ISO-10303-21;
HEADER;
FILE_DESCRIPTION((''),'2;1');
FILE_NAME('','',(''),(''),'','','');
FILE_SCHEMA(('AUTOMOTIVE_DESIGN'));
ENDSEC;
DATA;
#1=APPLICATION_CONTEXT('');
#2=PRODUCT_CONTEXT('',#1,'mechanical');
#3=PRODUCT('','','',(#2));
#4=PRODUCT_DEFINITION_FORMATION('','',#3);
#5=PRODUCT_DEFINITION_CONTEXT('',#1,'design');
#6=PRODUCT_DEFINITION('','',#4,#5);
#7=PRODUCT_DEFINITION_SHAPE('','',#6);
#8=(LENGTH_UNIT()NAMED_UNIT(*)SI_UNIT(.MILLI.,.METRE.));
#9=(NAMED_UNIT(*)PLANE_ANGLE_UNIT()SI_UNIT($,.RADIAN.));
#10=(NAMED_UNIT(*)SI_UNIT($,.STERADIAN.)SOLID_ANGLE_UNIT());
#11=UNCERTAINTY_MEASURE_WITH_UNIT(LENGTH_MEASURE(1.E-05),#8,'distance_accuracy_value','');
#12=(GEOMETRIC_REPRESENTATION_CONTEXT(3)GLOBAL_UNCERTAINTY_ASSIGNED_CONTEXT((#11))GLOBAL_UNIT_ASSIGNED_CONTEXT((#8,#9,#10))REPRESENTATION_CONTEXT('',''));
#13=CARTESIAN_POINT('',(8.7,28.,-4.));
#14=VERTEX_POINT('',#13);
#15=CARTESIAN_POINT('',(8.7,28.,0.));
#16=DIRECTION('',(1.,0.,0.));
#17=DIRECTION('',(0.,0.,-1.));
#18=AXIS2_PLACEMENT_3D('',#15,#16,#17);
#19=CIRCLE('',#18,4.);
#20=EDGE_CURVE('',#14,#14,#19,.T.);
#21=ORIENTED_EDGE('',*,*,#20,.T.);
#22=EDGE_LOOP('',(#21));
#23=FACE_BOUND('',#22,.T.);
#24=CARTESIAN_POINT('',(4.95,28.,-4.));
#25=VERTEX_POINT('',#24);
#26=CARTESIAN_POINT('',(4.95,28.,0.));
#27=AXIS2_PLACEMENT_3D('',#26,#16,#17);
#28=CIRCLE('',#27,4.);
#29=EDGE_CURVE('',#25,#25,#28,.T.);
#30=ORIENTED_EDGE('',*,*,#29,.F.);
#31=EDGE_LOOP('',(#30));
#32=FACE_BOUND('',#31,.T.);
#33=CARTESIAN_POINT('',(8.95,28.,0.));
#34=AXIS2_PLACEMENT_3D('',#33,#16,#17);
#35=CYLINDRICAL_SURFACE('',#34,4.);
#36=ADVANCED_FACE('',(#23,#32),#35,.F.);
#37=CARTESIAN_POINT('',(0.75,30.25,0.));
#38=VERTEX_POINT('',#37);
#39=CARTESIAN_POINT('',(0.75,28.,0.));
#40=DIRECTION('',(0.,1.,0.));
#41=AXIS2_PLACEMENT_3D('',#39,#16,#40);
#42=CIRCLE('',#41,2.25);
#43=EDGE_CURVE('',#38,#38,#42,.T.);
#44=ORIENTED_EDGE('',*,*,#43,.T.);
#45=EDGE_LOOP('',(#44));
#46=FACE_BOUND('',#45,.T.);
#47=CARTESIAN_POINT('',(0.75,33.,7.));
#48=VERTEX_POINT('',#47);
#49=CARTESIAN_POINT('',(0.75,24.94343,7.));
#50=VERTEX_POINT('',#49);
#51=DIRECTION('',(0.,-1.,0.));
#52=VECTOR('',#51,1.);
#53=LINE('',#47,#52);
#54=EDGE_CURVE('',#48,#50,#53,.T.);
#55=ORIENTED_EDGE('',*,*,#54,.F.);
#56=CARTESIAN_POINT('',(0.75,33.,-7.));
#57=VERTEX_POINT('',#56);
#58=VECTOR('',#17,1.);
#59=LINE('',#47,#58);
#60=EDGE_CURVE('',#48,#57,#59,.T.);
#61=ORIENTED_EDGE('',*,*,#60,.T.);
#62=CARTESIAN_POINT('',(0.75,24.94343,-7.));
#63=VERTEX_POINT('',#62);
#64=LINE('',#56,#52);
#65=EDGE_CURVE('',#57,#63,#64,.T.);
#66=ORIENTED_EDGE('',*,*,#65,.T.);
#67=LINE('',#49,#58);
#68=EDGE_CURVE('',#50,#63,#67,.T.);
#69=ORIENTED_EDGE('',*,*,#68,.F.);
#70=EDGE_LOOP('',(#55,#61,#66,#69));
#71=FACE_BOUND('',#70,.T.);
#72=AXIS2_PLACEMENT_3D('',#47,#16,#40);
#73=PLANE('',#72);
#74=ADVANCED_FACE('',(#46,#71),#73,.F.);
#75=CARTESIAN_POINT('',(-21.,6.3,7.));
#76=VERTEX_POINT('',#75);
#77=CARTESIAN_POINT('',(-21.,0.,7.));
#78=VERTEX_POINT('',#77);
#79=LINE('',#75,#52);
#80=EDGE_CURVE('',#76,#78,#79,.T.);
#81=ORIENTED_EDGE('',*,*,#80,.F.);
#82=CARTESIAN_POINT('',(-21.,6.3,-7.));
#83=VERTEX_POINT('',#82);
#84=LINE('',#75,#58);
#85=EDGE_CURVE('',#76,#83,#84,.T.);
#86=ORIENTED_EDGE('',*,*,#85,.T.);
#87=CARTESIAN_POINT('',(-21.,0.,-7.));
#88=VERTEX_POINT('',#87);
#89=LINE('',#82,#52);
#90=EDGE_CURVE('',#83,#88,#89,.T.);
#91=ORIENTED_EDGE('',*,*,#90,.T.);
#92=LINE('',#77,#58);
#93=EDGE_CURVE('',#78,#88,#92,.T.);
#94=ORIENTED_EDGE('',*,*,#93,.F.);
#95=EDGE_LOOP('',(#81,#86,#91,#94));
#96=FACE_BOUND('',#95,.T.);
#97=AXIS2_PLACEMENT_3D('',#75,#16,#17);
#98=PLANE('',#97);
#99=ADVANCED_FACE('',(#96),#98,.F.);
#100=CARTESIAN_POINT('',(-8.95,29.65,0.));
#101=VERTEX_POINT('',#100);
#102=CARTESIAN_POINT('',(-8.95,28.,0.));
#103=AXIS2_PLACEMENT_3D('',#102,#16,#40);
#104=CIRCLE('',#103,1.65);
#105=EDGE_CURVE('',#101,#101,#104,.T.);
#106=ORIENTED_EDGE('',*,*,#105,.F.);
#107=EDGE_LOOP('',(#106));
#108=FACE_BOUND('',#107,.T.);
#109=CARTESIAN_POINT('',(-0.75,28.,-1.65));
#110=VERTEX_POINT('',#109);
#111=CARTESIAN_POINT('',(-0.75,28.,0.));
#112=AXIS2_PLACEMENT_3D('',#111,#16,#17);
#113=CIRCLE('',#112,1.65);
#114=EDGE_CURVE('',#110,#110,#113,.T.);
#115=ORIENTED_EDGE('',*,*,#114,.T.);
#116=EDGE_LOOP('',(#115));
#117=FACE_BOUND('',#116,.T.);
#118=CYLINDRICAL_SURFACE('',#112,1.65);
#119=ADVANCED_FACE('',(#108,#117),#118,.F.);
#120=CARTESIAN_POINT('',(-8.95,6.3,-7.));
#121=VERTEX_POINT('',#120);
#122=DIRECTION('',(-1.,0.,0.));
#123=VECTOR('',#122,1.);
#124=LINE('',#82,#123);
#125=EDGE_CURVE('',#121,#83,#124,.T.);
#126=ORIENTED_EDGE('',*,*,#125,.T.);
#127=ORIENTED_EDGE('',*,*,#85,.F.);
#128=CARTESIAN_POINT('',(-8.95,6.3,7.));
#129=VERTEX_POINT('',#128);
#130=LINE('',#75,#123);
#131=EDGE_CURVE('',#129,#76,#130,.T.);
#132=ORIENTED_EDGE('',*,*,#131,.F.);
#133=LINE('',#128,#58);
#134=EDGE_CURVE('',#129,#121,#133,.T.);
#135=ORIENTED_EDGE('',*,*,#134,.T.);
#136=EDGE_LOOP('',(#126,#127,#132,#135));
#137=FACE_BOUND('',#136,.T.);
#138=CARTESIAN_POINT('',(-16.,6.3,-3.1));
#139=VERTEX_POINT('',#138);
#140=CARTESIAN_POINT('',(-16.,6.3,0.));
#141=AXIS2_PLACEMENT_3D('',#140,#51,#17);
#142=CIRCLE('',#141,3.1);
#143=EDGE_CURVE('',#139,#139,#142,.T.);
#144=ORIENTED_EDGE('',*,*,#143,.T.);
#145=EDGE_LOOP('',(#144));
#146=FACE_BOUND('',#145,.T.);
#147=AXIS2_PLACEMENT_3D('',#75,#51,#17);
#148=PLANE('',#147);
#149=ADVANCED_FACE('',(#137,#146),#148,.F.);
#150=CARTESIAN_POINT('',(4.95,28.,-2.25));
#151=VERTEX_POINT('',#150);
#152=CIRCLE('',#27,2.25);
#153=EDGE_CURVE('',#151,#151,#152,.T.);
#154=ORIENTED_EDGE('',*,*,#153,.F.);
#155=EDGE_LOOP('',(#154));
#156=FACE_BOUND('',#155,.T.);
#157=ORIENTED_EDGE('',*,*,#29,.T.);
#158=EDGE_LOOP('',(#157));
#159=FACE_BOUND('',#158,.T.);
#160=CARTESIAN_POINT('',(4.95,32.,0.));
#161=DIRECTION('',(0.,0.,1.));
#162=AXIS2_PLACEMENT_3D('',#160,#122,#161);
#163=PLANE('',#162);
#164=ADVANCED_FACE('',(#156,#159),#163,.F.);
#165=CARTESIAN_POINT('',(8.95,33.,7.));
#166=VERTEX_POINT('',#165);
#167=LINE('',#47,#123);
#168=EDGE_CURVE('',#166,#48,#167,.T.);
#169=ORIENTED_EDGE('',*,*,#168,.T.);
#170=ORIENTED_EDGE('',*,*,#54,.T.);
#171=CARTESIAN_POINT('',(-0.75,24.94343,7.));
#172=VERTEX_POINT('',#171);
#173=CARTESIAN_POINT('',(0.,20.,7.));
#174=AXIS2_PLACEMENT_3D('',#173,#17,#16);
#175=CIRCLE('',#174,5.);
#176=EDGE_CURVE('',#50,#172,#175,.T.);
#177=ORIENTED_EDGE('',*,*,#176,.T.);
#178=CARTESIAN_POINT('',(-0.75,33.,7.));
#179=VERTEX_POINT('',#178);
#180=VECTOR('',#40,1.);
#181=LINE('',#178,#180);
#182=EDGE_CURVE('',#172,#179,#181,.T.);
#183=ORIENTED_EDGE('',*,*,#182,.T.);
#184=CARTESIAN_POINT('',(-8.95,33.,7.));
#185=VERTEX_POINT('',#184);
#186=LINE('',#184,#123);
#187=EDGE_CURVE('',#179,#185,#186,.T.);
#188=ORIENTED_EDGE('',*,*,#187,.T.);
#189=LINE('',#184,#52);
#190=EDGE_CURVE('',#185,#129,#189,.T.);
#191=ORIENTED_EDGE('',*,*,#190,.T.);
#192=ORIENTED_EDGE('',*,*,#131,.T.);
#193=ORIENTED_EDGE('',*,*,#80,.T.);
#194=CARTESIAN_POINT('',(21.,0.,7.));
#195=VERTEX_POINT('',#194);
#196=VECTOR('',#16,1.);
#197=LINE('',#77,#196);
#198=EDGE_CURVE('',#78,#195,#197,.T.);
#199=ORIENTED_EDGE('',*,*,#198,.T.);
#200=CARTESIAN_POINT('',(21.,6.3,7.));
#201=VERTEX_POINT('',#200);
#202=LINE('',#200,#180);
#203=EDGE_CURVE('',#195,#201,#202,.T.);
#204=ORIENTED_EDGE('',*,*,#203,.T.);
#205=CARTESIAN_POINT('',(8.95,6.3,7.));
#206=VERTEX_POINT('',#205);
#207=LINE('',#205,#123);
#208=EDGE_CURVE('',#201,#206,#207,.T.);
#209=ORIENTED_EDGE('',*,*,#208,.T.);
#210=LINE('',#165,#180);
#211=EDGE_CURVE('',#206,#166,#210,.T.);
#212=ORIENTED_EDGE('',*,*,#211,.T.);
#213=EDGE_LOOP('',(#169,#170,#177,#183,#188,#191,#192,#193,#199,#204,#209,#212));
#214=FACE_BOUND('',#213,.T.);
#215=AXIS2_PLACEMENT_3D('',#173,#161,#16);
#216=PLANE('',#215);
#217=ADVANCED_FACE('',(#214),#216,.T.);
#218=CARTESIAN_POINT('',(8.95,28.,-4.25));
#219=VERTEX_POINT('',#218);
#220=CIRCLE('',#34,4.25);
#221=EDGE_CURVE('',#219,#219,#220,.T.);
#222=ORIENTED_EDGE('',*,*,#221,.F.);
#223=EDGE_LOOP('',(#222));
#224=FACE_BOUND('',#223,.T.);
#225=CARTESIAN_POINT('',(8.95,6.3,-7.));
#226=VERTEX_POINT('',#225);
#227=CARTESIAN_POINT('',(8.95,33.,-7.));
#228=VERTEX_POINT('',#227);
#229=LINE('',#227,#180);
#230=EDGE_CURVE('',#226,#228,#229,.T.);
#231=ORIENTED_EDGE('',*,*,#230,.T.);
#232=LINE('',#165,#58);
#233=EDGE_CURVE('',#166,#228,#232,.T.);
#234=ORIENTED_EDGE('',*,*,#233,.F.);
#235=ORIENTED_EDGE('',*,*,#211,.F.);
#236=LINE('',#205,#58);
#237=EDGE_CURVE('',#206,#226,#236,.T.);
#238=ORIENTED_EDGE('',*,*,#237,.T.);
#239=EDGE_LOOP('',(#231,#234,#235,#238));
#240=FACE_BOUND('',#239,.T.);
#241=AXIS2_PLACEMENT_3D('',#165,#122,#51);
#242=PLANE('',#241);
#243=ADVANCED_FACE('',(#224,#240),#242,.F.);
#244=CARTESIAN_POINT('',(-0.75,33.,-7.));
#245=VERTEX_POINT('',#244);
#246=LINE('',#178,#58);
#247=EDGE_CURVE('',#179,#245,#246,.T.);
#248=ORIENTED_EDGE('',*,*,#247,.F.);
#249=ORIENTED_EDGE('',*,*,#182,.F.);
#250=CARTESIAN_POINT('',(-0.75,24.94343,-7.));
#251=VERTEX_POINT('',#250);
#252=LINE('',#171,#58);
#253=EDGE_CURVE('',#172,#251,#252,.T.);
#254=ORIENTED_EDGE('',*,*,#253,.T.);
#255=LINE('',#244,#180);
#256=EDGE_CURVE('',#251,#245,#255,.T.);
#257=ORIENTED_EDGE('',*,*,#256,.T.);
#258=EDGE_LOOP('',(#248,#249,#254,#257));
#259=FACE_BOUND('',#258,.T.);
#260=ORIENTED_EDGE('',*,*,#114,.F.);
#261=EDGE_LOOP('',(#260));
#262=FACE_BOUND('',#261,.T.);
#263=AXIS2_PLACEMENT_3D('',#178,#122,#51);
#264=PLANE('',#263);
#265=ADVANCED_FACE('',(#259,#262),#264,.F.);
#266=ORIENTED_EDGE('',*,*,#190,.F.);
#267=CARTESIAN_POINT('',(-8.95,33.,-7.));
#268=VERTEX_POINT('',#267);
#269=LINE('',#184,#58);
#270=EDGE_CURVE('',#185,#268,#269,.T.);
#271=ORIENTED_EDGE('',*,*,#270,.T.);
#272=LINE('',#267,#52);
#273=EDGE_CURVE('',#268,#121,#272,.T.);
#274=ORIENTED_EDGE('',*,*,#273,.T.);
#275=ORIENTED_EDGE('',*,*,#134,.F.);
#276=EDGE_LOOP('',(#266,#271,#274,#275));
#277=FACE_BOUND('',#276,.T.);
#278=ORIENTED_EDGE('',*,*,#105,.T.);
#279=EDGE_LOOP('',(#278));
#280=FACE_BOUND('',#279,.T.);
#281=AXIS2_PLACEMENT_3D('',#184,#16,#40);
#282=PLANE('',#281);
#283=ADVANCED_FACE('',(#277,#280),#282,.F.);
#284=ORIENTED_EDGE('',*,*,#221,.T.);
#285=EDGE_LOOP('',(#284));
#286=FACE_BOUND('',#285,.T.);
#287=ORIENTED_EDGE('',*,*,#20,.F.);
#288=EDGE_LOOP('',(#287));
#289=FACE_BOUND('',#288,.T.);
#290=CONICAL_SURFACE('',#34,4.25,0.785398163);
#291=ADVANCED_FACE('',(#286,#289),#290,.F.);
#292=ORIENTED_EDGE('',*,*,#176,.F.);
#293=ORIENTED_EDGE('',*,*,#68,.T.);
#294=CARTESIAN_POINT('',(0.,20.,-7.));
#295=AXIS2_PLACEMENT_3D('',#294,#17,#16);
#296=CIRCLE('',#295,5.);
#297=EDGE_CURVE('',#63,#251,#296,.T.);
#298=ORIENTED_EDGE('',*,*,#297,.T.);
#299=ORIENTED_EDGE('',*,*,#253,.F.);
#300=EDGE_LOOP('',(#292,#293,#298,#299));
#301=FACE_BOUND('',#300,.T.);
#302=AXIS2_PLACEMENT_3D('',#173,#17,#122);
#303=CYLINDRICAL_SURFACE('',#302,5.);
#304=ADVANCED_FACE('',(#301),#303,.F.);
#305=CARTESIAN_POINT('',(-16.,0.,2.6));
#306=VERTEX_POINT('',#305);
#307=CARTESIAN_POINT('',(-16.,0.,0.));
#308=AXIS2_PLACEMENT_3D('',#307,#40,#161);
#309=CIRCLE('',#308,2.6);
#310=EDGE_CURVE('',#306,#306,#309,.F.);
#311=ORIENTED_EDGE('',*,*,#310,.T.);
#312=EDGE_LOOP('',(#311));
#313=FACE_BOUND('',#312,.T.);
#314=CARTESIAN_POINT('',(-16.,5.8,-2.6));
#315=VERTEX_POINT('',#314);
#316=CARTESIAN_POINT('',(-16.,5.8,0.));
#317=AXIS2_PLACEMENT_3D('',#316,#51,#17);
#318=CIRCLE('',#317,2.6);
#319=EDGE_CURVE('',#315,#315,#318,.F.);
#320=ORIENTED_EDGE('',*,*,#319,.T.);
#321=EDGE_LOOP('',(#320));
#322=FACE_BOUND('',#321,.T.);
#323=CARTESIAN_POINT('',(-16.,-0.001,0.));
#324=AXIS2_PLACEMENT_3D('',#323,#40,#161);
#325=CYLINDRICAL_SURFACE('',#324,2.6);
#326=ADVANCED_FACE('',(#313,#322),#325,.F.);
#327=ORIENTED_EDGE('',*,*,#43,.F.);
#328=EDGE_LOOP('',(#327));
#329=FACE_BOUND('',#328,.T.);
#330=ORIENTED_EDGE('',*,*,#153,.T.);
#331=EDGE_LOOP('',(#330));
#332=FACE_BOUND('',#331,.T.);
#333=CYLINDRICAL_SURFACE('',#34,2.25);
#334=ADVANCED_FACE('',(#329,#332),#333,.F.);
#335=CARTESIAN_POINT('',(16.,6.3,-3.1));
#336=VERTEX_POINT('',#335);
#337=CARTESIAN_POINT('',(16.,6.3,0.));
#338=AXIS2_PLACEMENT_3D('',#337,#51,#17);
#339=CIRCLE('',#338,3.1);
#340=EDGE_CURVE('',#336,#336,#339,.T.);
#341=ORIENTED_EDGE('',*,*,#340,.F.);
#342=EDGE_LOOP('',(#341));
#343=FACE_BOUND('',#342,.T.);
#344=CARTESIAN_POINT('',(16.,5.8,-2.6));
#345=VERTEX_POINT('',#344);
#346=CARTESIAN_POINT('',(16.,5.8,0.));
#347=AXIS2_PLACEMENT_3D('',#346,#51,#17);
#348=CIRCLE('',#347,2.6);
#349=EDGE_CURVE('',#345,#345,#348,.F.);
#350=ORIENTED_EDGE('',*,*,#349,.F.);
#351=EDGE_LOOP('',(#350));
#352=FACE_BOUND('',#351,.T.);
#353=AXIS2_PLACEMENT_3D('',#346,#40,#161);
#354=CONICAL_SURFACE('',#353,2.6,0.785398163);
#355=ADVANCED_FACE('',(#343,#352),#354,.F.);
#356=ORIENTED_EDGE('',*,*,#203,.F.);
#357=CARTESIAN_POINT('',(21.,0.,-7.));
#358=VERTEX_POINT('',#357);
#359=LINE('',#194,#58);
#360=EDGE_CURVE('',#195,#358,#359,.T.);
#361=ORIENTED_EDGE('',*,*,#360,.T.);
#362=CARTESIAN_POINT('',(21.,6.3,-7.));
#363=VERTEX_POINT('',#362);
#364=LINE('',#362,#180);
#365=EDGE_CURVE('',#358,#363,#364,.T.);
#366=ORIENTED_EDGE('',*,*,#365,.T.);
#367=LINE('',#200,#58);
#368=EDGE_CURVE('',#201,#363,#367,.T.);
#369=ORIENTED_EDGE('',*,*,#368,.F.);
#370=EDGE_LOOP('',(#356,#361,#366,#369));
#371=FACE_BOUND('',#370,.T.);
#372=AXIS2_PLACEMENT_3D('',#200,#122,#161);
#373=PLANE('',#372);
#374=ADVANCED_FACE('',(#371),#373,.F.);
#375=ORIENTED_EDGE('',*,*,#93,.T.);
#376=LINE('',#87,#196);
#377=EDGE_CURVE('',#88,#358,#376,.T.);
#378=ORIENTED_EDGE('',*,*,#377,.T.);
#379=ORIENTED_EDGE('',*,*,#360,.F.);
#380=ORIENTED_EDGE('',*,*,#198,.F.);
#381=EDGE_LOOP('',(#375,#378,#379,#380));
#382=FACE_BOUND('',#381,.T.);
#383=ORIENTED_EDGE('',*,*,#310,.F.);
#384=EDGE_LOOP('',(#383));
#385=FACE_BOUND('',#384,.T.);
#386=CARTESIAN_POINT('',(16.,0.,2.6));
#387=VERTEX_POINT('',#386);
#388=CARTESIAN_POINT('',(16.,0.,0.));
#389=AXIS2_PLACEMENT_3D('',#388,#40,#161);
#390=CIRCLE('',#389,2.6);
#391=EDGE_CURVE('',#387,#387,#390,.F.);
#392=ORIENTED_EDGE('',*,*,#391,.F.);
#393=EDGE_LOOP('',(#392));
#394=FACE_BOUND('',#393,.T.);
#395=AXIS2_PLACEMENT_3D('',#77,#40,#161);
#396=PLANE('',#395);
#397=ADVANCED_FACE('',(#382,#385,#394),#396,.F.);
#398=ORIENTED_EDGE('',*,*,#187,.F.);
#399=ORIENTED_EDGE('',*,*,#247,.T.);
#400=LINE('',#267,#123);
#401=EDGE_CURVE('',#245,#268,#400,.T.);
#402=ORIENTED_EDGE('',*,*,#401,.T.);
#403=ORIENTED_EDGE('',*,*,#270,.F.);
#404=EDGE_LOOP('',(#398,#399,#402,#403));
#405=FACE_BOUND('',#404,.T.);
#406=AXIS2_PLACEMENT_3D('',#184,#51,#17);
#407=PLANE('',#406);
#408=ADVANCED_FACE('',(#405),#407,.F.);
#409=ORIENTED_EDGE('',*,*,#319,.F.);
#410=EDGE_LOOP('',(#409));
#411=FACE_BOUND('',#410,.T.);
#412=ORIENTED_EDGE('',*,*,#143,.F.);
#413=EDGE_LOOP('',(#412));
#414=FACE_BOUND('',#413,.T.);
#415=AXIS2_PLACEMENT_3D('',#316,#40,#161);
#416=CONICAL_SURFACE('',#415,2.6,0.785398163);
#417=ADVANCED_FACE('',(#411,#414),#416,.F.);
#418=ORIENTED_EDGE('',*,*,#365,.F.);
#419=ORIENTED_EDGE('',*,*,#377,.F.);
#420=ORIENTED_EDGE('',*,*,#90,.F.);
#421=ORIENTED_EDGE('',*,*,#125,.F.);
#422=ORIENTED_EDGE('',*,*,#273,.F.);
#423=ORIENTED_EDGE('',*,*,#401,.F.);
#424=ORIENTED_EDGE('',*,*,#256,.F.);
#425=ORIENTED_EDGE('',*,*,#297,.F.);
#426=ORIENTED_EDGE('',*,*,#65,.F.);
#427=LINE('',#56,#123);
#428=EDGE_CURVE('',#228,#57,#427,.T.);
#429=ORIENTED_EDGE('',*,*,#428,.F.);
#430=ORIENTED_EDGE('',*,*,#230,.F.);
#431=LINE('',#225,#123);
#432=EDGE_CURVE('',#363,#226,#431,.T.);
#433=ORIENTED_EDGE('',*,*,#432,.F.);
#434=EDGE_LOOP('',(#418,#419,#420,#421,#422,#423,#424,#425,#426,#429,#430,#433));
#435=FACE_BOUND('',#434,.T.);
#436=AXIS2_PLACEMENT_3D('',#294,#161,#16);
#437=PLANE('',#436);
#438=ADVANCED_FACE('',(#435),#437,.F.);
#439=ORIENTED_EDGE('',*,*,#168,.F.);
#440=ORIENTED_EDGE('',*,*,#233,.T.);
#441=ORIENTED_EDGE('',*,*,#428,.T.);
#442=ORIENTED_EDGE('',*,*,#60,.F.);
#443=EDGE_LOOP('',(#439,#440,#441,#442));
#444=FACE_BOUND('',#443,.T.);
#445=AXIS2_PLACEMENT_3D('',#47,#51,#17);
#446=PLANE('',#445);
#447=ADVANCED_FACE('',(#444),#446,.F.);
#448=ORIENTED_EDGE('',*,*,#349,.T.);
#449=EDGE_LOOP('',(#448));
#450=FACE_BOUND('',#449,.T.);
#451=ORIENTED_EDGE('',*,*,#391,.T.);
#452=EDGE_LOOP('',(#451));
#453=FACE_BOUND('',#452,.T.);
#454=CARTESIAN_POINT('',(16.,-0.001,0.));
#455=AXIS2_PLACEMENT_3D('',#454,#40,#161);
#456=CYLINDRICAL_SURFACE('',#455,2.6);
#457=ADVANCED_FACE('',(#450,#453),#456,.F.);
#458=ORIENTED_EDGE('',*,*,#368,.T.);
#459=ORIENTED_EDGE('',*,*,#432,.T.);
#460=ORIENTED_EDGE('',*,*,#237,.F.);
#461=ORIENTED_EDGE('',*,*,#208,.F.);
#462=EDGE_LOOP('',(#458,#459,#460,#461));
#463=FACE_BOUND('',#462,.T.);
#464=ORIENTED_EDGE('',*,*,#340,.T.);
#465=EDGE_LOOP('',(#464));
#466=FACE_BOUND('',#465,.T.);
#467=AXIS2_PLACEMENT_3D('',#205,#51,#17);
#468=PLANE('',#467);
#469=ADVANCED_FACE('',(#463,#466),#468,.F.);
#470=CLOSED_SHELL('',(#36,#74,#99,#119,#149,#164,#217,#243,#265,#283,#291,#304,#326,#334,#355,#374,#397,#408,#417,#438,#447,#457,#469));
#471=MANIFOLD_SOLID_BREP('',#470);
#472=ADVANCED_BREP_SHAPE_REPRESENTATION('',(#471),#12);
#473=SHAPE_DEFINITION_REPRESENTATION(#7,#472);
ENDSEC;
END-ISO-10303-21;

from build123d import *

# Parameters (mm, degrees)
BOSS_EXTRUDE1_DEPTH   = 7
CUT_EXTRUDE1_REACH    = 36.683
SKETCH2_R             = 2.6
CHAMFER1_SIZE         = 0.5
M4X0_7_TAPPED_HOLE1_D = 3.3


with BuildPart() as part:
    # Sketch1 → Boss-Extrude1 (new, symmetric)
    with BuildSketch(Plane.XY):
        with BuildLine():
            Line((-21, 6.3), (-8.95, 6.3))
            Line((-8.95, 6.3), (-8.95, 33))
            Line((-8.95, 33), (-0.75, 33))
            Line((-0.75, 33), (-0.75, 24.943429983))
            ThreePointArc((-0.75, 24.943429983), (0, 15), (0.75, 24.943429983))
            Line((0.75, 24.943429983), (0.75, 33))
            Line((0.75, 33), (8.95, 33))
            Line((8.95, 33), (8.95, 6.3))
            Line((8.95, 6.3), (21, 6.3))
            Line((21, 6.3), (21, 0))
            Line((21, 0), (-21, 0))
            Line((-21, 0), (-21, 6.3))
        make_face()
    extrude(amount=BOSS_EXTRUDE1_DEPTH, both=True)

    # Sketch2 → Cut-Extrude1 (cut, up to next)
    with BuildSketch(Plane(origin=(0, 6.3, 0), x_dir=(1, 0, 0), z_dir=(0, 1, 0)), mode=Mode.PRIVATE) as cut_extrude1_sk1:
        with Locations(Location((16, 0, 0), (0, 0, 270))):
            Circle(SKETCH2_R)
    cut_extrude1_tool1 = extrude(cut_extrude1_sk1.sketch, amount=-CUT_EXTRUDE1_REACH, mode=Mode.PRIVATE) & part.part
    # Sketch2 → Cut-Extrude1 (cut, up to next)
    with BuildSketch(Plane(origin=(0, 6.3, 0), x_dir=(1, 0, 0), z_dir=(0, 1, 0)), mode=Mode.PRIVATE) as cut_extrude1_sk2:
        with Locations(Location((-16, 0, 0), (0, 0, 270))):
            Circle(SKETCH2_R)
    cut_extrude1_tool2 = extrude(cut_extrude1_sk2.sketch, amount=-CUT_EXTRUDE1_REACH, mode=Mode.PRIVATE) & part.part
    add(cut_extrude1_tool1.solids().sort_by_distance((16, 6.3, 0))[0], mode=Mode.SUBTRACT)
    add(cut_extrude1_tool2.solids().sort_by_distance((-16, 6.3, 0))[0], mode=Mode.SUBTRACT)

    # Chamfer1
    chamfer1_edges = [part.edges().sort_by_distance(p)[0] for p in [
        (16, 6.3, -2.6),
        (-16, 6.3, -2.6),
    ]]
    chamfer(chamfer1_edges, length=CHAMFER1_SIZE)

    # Sketch4 → CBORE for M4 SHCS2 (revolve, cut)
    with BuildSketch(Plane(origin=(8.95, 28, 0), x_dir=(0, 0, -1), z_dir=(0, 1, 0))):
        Polygon((0, 0), (0, 8.2), (2.25, 8.2), (2.25, 4), (4, 4), (4, 0.25), (4.25, 0), align=None)
    revolve(axis=Axis((15.3, 28, 0), (-1, 0, 0)), mode=Mode.SUBTRACT)

    # M4x0.7 Tapped Hole1 (through all)
    with Locations(Plane(origin=(-0.75, 0, 0), x_dir=(0, 0, -1), z_dir=(1, 0, 0))):
        with Locations((0, 28)):
            Hole(M4X0_7_TAPPED_HOLE1_D / 2)


solid = part.part
